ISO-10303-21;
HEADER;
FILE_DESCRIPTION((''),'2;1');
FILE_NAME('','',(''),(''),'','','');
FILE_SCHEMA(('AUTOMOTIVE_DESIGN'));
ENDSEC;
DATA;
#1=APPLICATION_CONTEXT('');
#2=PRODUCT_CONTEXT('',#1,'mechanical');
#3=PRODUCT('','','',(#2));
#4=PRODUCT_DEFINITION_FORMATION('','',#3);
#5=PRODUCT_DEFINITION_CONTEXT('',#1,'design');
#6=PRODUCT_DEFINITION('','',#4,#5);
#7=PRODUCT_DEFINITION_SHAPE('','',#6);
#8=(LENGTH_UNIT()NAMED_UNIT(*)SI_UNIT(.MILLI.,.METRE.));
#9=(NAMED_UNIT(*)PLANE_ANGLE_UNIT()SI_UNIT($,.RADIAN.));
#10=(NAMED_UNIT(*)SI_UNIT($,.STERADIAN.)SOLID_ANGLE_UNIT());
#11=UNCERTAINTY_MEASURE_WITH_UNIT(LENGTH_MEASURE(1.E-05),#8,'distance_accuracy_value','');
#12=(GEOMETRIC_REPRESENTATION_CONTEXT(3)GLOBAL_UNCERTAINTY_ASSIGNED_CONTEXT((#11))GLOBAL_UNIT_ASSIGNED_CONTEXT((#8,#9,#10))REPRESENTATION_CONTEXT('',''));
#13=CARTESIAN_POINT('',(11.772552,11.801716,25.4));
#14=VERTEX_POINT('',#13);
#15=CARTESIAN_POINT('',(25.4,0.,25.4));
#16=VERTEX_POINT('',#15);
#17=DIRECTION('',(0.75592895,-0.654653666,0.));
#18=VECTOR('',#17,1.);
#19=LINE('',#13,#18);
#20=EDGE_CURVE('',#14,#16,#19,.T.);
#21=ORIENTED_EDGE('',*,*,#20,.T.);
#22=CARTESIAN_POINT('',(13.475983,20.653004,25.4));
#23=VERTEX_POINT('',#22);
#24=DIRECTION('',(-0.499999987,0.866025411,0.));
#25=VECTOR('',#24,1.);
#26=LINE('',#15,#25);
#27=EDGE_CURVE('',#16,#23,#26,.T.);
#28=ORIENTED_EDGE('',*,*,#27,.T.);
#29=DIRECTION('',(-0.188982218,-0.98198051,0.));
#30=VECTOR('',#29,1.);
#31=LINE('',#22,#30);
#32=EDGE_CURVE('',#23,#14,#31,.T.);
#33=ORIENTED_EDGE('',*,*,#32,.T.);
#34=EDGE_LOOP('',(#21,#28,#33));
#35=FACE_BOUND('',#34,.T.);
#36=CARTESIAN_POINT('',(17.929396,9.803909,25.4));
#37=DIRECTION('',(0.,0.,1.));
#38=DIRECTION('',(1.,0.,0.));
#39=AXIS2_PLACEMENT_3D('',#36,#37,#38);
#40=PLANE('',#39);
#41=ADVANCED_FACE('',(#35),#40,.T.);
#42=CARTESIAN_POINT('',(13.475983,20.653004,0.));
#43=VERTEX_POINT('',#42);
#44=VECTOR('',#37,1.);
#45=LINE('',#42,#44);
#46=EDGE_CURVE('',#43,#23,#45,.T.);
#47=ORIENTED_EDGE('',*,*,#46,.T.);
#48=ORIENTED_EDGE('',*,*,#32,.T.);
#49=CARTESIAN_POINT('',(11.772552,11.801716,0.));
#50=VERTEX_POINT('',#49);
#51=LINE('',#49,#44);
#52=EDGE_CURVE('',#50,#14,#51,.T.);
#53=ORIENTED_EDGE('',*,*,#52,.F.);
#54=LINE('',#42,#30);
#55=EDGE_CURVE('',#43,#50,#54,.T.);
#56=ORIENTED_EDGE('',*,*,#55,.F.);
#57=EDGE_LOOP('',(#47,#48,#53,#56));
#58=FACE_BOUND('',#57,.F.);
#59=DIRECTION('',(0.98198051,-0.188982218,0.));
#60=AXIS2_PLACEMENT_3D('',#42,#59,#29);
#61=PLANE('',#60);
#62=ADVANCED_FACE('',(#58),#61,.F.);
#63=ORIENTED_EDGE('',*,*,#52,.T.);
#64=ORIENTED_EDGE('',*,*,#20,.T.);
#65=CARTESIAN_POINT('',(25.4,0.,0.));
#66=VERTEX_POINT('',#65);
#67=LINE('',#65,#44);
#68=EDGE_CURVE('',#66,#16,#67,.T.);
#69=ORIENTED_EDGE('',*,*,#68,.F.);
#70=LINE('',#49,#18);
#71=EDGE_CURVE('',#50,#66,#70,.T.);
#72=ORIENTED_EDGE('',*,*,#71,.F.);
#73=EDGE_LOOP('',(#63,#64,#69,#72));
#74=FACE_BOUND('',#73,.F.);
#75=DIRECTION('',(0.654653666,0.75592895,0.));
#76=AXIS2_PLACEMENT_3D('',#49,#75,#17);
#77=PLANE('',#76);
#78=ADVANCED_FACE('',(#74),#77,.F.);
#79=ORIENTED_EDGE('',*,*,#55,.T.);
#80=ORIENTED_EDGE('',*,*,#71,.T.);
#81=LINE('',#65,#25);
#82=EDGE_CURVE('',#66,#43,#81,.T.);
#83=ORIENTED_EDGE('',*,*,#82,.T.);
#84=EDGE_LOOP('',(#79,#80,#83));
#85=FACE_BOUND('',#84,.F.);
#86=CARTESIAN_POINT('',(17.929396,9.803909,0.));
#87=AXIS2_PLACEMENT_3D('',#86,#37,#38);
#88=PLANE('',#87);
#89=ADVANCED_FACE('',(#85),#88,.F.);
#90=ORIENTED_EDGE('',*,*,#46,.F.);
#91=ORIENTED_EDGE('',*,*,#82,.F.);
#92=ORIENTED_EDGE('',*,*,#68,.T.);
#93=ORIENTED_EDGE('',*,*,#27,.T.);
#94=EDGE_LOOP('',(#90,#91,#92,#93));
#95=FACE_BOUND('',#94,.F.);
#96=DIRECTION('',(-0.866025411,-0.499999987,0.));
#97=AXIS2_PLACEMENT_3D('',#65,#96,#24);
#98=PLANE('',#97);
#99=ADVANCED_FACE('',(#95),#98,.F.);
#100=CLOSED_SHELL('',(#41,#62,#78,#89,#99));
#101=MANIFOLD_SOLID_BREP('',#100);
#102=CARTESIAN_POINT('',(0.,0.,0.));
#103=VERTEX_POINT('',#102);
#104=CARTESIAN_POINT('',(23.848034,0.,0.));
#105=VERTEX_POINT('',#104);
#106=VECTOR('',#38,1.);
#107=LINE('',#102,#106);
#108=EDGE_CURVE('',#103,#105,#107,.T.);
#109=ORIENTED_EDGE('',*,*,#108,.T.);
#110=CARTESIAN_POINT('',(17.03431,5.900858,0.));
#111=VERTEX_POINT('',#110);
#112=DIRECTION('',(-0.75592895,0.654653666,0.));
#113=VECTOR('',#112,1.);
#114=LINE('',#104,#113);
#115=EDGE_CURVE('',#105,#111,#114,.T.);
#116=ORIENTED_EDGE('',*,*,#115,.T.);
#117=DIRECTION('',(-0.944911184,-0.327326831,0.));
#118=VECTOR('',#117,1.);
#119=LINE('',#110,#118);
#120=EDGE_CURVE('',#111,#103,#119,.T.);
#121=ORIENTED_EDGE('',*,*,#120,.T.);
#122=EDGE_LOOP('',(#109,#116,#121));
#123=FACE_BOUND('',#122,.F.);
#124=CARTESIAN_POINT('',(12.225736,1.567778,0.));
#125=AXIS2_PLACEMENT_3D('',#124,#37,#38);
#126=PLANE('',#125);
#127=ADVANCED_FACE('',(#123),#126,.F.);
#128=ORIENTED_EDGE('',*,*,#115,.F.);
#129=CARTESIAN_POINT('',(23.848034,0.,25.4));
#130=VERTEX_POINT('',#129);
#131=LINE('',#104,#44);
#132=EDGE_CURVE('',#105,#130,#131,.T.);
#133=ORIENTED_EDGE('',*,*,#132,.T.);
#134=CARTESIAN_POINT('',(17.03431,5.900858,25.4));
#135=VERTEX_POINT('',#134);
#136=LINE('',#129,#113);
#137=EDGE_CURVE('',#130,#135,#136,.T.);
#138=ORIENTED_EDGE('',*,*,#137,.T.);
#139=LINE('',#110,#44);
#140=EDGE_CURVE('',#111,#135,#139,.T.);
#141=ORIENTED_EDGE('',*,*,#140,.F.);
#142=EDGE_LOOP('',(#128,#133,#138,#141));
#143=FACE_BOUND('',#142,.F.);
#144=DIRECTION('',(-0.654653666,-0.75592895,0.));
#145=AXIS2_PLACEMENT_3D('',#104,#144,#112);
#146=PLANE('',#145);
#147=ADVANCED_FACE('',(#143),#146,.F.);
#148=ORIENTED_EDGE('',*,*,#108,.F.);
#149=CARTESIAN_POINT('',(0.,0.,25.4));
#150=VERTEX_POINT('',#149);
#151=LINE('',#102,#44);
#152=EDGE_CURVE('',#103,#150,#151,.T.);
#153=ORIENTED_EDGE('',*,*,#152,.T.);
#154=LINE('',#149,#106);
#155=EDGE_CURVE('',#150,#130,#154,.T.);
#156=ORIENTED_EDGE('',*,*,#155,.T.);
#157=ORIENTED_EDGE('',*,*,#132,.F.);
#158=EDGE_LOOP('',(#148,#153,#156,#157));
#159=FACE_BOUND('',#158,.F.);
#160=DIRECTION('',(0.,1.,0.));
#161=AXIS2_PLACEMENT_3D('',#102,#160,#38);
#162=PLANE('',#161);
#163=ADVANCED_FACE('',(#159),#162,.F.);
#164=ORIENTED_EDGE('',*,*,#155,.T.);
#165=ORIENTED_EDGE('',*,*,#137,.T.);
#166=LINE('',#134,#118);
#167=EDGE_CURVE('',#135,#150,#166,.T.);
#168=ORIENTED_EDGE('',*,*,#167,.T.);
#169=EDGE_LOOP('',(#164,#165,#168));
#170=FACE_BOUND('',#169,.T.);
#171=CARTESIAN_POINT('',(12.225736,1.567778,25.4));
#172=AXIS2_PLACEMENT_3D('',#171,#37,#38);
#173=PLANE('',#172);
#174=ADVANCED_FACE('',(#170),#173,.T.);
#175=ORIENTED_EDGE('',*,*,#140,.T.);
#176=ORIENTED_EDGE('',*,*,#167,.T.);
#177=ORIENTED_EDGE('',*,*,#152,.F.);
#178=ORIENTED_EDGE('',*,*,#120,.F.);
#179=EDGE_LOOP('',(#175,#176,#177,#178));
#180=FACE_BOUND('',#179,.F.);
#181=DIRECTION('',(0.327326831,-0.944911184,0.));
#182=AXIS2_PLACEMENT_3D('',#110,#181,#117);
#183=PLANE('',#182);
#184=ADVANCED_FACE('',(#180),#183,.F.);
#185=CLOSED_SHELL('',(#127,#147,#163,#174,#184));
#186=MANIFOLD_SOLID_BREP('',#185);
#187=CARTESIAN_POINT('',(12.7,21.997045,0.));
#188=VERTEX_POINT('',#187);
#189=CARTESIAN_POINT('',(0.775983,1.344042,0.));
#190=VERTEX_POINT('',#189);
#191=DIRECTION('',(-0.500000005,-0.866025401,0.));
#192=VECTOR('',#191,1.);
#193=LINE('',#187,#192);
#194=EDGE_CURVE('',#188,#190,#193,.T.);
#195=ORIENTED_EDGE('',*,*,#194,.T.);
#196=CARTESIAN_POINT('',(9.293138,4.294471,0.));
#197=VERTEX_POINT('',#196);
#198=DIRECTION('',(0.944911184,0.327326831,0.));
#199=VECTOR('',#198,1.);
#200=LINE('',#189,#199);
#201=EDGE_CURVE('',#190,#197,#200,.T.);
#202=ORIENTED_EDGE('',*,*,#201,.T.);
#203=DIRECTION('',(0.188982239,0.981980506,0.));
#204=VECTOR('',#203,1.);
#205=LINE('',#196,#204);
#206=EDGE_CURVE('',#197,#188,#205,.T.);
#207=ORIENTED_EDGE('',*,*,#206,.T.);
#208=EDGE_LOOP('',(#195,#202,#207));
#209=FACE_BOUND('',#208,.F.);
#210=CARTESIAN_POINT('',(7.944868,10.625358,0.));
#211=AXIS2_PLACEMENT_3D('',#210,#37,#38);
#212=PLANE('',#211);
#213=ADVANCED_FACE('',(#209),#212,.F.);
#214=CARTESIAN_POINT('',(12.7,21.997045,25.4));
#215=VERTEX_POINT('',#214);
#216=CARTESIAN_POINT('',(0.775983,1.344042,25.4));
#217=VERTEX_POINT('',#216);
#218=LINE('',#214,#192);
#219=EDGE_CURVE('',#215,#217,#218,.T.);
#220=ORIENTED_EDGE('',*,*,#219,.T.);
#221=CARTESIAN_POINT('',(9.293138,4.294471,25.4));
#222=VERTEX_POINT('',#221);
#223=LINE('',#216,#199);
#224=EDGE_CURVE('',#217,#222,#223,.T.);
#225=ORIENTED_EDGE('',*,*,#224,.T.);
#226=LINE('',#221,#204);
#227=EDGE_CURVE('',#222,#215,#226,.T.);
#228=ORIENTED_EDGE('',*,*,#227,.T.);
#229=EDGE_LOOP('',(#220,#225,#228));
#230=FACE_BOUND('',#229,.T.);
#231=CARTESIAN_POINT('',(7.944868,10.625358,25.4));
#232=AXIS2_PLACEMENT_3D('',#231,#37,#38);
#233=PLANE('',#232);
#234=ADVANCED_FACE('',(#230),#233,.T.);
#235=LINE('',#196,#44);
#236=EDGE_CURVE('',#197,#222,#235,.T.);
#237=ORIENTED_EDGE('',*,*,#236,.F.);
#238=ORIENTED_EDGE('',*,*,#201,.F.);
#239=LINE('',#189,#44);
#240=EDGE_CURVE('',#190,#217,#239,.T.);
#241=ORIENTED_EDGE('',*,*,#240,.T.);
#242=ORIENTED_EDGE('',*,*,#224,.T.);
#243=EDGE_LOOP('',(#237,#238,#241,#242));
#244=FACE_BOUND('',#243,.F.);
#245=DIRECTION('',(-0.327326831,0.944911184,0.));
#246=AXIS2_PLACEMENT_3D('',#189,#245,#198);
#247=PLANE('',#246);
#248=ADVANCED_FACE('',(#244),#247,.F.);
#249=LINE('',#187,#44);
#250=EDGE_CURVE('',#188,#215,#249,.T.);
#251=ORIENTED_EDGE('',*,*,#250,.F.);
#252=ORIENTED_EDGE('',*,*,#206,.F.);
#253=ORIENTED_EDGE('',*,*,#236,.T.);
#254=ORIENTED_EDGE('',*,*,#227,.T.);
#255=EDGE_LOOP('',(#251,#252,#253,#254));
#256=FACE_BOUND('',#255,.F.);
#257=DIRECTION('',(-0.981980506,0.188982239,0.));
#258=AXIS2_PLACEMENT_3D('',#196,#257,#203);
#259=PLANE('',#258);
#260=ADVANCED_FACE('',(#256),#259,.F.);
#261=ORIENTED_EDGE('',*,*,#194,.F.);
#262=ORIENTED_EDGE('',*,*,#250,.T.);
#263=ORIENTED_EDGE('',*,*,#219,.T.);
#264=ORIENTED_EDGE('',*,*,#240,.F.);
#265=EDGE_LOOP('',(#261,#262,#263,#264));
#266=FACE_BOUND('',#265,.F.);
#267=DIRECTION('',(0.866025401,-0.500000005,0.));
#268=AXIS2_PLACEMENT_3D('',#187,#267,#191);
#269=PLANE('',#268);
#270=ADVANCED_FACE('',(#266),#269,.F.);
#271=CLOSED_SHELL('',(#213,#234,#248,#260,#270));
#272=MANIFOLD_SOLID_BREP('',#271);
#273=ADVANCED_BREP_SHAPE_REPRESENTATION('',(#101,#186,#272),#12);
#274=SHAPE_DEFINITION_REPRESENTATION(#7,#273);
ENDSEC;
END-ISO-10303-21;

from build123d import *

# Parameters (mm, degrees)
F1_DEPTH = 25.4


with BuildPart() as f1:
    # F0 (on Top) → F1 (new body)
    with BuildSketch(Plane.XY):
        Polygon((12.7, 21.997045), (0.775983, 1.344042), (9.293138, 4.294471), align=None)
        Polygon((25.4, 0), (13.475983, 20.653004), (11.772552, 11.801716), align=None)
        Polygon((0, 0), (23.848034, 0), (17.03431, 5.900858), align=None)
    extrude(amount=F1_DEPTH)


solid = f1.part
